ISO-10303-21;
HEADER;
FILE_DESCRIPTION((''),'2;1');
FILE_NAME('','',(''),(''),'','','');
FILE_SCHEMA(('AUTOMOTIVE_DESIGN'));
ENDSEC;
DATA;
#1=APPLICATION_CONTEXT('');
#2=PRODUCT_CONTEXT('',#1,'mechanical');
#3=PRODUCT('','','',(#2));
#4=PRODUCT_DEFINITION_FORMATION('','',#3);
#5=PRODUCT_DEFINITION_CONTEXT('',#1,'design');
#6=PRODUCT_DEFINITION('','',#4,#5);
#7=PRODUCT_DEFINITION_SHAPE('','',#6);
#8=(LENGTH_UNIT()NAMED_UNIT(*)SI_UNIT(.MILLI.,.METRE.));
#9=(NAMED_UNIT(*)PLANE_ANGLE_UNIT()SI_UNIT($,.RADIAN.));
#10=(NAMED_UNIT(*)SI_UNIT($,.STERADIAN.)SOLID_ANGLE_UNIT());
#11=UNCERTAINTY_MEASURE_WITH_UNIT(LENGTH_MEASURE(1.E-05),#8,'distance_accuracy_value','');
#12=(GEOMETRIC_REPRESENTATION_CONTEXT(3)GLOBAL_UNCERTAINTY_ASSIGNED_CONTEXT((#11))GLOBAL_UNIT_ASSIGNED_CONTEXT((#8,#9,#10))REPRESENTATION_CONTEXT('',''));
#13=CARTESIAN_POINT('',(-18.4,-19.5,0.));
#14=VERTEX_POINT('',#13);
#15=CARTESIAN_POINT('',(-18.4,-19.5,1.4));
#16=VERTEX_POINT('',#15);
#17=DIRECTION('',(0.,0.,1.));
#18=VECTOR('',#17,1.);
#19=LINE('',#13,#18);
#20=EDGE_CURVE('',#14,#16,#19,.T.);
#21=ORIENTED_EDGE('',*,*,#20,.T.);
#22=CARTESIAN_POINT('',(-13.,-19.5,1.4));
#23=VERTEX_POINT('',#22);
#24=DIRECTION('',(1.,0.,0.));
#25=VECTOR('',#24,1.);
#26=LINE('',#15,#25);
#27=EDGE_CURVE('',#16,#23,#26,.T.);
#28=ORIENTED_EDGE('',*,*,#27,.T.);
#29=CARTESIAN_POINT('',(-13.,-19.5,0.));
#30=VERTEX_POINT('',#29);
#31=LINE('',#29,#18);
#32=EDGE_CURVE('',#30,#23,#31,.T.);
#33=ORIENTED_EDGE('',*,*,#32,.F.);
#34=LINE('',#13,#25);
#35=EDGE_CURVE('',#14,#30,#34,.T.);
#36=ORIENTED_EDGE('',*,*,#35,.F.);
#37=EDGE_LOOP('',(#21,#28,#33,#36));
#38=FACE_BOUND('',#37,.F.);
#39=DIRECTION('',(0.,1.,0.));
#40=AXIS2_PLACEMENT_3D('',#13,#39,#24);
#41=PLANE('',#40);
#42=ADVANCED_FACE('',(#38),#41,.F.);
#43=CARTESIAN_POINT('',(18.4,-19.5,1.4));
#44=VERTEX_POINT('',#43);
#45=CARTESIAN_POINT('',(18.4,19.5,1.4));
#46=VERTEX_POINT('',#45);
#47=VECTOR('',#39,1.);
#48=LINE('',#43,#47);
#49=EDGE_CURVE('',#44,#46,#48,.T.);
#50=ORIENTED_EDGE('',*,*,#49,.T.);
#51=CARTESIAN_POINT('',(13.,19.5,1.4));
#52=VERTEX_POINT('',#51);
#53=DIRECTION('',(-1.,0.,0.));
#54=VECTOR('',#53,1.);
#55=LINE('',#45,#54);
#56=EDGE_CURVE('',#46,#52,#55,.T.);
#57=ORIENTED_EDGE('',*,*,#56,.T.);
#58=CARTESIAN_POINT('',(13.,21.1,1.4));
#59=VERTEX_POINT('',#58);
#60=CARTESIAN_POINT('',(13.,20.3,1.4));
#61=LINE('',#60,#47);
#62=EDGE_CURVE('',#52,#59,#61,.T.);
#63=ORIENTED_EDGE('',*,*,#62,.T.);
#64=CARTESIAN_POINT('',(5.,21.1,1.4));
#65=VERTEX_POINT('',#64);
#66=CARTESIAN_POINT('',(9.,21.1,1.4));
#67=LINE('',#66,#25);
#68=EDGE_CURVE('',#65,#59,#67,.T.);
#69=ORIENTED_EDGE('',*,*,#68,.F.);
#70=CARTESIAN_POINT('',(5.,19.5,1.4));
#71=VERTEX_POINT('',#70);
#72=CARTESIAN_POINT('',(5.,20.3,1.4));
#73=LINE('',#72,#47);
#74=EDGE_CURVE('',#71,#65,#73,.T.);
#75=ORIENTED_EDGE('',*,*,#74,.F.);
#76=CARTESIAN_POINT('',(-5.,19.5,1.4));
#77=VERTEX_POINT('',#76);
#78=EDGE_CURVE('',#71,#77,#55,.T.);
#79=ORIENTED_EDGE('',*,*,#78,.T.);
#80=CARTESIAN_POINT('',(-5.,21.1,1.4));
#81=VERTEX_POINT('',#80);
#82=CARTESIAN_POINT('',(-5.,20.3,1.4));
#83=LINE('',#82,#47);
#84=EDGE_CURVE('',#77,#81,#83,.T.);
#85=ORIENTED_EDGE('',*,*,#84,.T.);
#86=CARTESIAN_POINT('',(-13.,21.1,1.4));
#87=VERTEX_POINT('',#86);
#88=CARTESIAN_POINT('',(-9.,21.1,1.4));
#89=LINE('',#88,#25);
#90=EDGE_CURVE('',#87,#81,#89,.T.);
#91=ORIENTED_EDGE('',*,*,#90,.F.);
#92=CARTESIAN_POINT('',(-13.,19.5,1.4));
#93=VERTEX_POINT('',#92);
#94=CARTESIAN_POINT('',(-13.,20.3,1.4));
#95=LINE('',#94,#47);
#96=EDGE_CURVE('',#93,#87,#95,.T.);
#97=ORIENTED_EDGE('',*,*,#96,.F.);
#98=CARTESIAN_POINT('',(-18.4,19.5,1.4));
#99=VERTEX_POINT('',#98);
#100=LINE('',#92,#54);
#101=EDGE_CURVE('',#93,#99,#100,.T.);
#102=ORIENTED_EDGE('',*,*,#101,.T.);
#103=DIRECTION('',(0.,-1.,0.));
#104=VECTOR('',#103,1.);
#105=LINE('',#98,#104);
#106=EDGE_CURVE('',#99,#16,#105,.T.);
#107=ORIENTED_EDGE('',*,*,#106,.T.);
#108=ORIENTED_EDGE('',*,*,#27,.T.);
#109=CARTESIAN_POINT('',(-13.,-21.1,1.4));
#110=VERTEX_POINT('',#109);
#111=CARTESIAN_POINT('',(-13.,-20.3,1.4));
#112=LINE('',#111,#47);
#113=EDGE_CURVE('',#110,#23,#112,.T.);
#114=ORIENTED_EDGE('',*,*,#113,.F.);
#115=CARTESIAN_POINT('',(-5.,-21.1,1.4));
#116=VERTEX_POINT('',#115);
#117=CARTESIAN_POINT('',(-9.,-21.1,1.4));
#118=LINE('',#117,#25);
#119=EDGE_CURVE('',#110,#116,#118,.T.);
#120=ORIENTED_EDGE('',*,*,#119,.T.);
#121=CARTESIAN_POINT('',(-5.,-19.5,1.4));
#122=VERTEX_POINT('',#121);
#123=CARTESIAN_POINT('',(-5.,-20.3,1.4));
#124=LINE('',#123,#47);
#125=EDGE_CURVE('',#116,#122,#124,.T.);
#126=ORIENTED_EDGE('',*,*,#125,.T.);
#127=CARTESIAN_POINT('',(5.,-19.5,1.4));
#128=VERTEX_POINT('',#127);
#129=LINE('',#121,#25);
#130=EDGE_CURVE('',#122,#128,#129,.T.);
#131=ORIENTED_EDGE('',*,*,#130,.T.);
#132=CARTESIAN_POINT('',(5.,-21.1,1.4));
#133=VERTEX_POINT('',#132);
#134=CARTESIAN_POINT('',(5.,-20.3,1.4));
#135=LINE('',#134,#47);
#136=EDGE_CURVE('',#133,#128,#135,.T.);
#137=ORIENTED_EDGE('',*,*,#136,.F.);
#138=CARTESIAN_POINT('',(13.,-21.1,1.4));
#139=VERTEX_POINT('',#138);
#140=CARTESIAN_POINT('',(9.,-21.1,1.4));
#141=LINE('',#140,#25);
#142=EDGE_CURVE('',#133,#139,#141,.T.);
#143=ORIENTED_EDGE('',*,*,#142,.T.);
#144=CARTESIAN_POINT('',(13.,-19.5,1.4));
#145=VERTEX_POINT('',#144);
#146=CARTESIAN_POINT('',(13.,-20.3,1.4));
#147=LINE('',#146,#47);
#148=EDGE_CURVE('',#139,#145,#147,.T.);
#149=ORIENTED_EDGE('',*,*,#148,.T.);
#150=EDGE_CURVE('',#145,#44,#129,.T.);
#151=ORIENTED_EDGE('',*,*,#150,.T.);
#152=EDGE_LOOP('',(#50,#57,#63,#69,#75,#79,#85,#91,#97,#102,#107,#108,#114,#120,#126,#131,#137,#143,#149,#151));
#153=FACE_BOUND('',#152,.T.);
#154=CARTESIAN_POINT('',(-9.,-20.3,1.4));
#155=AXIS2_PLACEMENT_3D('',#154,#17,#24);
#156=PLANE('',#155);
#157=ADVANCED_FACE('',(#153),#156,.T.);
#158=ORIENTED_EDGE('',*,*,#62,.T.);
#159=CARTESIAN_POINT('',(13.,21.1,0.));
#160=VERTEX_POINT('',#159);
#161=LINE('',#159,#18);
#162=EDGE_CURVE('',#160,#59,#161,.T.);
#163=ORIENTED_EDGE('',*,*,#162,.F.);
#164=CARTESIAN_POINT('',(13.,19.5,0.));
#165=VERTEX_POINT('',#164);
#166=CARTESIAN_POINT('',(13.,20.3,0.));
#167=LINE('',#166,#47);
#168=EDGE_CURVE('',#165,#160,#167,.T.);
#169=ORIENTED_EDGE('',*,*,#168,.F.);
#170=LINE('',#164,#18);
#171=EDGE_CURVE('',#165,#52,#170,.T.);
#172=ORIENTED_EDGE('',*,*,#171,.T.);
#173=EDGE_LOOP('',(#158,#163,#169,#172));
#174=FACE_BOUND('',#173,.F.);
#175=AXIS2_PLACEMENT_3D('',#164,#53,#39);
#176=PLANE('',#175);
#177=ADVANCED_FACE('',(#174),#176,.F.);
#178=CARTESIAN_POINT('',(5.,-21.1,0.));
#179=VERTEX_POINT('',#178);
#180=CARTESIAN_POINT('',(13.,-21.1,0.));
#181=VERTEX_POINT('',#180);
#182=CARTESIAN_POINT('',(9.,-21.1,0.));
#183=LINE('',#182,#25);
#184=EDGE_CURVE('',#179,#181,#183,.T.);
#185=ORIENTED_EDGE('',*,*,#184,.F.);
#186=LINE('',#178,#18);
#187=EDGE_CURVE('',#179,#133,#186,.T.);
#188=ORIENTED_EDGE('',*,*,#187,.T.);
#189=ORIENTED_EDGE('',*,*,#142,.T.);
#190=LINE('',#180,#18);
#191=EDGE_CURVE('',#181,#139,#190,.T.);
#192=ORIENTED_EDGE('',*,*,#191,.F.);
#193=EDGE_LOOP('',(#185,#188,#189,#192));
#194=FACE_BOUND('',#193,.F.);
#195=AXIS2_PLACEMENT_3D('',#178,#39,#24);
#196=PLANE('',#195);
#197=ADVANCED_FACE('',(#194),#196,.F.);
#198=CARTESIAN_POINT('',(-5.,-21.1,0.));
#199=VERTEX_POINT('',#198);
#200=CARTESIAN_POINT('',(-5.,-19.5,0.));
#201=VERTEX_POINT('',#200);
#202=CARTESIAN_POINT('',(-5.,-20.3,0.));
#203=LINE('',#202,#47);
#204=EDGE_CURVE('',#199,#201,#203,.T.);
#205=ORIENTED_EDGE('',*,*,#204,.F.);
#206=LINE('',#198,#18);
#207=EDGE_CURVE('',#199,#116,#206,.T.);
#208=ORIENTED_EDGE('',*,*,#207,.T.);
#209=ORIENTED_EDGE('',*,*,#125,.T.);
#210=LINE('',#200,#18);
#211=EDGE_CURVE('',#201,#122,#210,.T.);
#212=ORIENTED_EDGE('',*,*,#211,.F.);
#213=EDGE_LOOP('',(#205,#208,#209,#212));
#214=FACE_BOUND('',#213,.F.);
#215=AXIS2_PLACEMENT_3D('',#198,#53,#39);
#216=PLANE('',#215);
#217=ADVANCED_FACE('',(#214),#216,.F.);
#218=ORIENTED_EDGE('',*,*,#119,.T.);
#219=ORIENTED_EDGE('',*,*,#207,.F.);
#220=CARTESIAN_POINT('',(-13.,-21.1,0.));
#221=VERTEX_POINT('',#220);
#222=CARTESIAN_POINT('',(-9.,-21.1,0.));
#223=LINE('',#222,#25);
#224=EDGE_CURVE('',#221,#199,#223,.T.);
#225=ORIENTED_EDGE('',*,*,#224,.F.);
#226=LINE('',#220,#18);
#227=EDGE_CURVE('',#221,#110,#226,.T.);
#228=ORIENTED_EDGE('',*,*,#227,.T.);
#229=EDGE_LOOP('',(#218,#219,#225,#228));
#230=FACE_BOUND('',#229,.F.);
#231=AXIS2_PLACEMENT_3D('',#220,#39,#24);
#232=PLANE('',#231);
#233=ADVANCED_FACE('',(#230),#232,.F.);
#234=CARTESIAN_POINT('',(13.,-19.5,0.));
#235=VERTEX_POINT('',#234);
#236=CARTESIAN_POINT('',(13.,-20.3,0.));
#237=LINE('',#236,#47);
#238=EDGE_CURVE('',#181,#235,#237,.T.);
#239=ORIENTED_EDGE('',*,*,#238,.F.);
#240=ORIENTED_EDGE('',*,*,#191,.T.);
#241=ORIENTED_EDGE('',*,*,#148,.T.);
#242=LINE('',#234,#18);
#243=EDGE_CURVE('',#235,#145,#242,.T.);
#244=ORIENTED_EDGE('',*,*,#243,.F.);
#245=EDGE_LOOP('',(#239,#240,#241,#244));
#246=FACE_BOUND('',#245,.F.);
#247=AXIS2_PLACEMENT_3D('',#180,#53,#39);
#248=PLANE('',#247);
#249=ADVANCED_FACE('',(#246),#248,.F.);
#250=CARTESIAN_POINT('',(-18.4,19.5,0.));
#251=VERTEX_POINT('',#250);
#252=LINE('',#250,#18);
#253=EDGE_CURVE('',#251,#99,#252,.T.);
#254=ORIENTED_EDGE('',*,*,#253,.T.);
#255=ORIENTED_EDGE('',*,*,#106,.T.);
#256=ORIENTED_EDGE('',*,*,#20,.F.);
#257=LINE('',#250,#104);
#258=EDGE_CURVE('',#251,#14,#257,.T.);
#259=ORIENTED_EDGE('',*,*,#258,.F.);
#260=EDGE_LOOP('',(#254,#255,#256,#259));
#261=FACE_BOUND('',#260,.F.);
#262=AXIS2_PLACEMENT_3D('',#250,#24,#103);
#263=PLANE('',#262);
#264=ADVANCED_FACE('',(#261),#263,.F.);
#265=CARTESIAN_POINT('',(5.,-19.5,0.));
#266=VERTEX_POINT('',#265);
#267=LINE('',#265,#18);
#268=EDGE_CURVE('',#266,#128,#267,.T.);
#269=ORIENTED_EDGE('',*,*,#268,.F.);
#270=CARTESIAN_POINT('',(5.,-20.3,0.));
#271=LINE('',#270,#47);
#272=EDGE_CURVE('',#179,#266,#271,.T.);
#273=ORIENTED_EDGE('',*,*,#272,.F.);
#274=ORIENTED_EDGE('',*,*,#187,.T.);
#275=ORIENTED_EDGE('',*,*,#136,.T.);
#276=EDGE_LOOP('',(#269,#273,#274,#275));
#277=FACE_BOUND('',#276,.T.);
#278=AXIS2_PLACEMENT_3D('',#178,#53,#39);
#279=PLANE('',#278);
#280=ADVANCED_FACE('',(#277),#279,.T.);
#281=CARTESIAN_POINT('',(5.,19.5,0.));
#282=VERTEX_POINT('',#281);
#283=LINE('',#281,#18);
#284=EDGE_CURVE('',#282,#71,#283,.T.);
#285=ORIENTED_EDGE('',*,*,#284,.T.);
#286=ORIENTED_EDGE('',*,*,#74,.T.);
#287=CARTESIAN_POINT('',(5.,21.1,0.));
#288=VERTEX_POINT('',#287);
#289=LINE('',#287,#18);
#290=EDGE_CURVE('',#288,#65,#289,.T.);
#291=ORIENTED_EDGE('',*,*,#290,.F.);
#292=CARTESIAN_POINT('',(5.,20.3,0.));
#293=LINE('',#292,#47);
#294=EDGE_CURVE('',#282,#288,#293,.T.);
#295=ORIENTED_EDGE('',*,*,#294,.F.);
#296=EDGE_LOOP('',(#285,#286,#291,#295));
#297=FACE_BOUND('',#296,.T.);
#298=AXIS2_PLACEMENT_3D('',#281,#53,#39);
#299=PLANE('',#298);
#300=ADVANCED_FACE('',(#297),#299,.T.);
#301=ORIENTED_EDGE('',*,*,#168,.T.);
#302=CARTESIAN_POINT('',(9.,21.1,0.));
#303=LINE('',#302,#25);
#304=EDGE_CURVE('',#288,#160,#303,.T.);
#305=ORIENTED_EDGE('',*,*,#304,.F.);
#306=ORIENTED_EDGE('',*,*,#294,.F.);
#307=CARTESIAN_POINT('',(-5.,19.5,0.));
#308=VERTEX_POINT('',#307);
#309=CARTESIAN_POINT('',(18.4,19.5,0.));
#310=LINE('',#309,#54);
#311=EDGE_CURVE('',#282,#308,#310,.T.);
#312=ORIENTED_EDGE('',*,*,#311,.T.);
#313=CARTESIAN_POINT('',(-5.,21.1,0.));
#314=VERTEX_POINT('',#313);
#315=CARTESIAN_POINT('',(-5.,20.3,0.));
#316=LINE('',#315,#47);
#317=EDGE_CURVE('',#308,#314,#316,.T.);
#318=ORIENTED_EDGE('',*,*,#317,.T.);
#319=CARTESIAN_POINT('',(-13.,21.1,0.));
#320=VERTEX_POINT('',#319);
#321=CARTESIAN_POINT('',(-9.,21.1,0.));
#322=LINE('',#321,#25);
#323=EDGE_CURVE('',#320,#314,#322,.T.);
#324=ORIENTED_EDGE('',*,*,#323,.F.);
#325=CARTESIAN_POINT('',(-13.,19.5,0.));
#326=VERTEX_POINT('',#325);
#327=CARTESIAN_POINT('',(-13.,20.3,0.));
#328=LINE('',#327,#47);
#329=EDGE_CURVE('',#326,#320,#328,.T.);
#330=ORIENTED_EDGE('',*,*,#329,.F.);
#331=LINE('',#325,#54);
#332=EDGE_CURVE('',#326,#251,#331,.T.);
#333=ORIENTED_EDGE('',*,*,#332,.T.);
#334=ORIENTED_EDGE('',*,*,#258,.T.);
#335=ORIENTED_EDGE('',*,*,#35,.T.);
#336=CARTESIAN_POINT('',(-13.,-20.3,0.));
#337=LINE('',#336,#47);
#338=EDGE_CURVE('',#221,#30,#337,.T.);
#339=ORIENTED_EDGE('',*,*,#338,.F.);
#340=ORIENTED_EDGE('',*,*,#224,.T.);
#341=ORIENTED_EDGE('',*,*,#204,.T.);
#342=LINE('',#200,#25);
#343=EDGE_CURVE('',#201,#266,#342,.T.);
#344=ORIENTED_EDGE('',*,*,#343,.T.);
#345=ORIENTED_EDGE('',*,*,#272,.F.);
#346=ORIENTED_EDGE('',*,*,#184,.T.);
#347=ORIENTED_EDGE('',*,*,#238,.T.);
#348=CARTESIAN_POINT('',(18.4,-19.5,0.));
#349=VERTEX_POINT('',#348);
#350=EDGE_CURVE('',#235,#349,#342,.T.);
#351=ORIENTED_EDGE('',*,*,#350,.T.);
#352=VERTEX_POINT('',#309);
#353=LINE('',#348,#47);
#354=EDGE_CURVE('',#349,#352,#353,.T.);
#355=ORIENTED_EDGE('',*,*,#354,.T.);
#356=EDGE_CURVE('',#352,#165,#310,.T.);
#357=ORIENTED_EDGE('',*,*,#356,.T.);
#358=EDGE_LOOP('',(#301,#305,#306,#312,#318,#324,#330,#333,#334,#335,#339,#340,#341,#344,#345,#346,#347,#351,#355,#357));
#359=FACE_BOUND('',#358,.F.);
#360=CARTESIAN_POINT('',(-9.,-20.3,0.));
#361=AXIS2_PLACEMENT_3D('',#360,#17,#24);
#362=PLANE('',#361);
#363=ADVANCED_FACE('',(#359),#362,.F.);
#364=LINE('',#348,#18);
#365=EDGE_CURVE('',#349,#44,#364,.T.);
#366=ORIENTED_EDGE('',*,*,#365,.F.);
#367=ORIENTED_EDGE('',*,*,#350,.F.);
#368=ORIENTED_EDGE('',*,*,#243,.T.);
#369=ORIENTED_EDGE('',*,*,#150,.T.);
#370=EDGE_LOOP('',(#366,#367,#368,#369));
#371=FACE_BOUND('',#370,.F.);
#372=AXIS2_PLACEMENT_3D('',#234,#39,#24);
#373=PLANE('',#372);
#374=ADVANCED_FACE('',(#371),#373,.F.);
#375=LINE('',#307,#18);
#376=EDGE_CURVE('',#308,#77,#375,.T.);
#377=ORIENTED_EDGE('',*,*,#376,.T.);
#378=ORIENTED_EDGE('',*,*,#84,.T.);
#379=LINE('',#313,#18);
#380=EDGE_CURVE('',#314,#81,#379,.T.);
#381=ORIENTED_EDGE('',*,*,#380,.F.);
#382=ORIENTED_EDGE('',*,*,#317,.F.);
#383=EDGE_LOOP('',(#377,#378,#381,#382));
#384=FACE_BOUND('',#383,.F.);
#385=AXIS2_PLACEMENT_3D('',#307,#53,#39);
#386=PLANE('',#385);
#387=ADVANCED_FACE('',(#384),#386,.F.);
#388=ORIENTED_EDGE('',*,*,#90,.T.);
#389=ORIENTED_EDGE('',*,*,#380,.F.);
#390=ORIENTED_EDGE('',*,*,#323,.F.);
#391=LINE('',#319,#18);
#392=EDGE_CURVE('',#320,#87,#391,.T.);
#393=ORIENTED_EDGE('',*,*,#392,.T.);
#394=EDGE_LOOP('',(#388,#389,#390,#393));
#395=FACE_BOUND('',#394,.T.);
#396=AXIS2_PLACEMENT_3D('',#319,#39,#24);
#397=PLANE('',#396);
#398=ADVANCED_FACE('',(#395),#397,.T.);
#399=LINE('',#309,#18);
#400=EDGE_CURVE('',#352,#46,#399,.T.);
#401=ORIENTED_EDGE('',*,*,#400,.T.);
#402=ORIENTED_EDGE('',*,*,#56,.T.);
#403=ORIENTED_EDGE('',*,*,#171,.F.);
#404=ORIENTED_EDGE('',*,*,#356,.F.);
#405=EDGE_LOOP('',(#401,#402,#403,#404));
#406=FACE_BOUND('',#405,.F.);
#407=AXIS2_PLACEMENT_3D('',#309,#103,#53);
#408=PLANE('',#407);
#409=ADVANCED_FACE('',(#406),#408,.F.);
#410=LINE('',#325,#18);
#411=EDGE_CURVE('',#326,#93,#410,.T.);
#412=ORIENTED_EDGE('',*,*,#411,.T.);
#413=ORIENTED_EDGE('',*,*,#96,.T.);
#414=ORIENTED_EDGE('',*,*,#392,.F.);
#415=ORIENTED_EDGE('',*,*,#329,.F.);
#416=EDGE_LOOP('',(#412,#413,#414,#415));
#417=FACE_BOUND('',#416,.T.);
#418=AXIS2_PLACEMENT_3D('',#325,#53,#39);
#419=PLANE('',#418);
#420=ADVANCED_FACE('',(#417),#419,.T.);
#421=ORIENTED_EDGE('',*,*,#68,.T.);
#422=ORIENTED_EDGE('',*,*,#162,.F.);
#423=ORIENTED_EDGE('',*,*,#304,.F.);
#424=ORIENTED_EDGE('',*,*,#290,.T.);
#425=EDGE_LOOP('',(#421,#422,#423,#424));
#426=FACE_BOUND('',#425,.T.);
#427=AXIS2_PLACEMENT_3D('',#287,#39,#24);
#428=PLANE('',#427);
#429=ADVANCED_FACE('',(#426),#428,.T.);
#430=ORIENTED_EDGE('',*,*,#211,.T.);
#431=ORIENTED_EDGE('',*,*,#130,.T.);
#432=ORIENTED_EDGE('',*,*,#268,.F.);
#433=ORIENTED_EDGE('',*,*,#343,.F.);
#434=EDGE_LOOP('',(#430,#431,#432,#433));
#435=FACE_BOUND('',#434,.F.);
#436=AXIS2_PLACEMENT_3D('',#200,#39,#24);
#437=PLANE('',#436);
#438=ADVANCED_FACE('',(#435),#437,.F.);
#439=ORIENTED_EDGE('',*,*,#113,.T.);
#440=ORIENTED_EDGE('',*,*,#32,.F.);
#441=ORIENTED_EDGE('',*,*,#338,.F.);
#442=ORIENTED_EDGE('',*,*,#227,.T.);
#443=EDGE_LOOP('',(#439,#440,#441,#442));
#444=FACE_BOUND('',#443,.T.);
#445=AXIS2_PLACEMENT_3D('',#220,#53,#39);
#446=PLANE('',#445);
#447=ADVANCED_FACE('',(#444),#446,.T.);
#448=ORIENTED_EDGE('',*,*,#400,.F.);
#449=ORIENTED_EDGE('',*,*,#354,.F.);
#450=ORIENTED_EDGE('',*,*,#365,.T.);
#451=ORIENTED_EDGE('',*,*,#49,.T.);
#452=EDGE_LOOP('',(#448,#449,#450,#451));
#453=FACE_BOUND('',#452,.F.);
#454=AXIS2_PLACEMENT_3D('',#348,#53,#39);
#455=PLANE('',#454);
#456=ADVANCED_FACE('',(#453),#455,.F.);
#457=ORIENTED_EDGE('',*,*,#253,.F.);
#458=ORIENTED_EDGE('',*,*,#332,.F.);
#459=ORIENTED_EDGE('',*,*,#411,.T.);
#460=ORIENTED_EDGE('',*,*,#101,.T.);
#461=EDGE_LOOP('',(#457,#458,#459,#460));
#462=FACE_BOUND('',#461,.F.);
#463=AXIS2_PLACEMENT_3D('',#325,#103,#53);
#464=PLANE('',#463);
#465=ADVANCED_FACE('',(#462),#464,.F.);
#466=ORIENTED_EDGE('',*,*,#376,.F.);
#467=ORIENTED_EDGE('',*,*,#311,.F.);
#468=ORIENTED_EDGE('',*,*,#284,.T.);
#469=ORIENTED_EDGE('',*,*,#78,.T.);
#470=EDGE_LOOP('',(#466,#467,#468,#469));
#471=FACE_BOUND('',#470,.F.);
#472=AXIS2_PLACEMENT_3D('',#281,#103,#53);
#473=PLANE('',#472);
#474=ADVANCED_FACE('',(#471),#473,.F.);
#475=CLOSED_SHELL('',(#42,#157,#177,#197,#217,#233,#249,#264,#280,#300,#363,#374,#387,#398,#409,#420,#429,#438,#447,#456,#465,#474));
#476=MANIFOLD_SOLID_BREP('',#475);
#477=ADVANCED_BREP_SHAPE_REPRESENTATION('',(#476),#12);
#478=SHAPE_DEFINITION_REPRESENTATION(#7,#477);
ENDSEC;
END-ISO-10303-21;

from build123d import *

# Parameters (mm, degrees)
F0_W     = 8
F0_H     = 1.6
F2_DEPTH = 1.4


with BuildPart() as f2:
    # F0 (on Top) → F2 (new body)
    with BuildSketch(Plane.XY):
        with Locations((-9, -20.3)):
            Rectangle(F0_W, F0_H)
        with Locations((-9, 20.3)):
            Rectangle(F0_W, F0_H)
        Polygon((-13, 19.5), (-18.4, 19.5), (-18.4, -19.5), (-13, -19.5), (-5, -19.5), (5, -19.5), (13, -19.5), (18.4, -19.5), (18.4, 19.5), (13, 19.5), (5, 19.5), (-5, 19.5), align=None)
        with Locations((9, 20.3)):
            Rectangle(F0_W, F0_H)
        with Locations((9, -20.3)):
            Rectangle(F0_W, F0_H)
    extrude(amount=F2_DEPTH)


solid = f2.part
